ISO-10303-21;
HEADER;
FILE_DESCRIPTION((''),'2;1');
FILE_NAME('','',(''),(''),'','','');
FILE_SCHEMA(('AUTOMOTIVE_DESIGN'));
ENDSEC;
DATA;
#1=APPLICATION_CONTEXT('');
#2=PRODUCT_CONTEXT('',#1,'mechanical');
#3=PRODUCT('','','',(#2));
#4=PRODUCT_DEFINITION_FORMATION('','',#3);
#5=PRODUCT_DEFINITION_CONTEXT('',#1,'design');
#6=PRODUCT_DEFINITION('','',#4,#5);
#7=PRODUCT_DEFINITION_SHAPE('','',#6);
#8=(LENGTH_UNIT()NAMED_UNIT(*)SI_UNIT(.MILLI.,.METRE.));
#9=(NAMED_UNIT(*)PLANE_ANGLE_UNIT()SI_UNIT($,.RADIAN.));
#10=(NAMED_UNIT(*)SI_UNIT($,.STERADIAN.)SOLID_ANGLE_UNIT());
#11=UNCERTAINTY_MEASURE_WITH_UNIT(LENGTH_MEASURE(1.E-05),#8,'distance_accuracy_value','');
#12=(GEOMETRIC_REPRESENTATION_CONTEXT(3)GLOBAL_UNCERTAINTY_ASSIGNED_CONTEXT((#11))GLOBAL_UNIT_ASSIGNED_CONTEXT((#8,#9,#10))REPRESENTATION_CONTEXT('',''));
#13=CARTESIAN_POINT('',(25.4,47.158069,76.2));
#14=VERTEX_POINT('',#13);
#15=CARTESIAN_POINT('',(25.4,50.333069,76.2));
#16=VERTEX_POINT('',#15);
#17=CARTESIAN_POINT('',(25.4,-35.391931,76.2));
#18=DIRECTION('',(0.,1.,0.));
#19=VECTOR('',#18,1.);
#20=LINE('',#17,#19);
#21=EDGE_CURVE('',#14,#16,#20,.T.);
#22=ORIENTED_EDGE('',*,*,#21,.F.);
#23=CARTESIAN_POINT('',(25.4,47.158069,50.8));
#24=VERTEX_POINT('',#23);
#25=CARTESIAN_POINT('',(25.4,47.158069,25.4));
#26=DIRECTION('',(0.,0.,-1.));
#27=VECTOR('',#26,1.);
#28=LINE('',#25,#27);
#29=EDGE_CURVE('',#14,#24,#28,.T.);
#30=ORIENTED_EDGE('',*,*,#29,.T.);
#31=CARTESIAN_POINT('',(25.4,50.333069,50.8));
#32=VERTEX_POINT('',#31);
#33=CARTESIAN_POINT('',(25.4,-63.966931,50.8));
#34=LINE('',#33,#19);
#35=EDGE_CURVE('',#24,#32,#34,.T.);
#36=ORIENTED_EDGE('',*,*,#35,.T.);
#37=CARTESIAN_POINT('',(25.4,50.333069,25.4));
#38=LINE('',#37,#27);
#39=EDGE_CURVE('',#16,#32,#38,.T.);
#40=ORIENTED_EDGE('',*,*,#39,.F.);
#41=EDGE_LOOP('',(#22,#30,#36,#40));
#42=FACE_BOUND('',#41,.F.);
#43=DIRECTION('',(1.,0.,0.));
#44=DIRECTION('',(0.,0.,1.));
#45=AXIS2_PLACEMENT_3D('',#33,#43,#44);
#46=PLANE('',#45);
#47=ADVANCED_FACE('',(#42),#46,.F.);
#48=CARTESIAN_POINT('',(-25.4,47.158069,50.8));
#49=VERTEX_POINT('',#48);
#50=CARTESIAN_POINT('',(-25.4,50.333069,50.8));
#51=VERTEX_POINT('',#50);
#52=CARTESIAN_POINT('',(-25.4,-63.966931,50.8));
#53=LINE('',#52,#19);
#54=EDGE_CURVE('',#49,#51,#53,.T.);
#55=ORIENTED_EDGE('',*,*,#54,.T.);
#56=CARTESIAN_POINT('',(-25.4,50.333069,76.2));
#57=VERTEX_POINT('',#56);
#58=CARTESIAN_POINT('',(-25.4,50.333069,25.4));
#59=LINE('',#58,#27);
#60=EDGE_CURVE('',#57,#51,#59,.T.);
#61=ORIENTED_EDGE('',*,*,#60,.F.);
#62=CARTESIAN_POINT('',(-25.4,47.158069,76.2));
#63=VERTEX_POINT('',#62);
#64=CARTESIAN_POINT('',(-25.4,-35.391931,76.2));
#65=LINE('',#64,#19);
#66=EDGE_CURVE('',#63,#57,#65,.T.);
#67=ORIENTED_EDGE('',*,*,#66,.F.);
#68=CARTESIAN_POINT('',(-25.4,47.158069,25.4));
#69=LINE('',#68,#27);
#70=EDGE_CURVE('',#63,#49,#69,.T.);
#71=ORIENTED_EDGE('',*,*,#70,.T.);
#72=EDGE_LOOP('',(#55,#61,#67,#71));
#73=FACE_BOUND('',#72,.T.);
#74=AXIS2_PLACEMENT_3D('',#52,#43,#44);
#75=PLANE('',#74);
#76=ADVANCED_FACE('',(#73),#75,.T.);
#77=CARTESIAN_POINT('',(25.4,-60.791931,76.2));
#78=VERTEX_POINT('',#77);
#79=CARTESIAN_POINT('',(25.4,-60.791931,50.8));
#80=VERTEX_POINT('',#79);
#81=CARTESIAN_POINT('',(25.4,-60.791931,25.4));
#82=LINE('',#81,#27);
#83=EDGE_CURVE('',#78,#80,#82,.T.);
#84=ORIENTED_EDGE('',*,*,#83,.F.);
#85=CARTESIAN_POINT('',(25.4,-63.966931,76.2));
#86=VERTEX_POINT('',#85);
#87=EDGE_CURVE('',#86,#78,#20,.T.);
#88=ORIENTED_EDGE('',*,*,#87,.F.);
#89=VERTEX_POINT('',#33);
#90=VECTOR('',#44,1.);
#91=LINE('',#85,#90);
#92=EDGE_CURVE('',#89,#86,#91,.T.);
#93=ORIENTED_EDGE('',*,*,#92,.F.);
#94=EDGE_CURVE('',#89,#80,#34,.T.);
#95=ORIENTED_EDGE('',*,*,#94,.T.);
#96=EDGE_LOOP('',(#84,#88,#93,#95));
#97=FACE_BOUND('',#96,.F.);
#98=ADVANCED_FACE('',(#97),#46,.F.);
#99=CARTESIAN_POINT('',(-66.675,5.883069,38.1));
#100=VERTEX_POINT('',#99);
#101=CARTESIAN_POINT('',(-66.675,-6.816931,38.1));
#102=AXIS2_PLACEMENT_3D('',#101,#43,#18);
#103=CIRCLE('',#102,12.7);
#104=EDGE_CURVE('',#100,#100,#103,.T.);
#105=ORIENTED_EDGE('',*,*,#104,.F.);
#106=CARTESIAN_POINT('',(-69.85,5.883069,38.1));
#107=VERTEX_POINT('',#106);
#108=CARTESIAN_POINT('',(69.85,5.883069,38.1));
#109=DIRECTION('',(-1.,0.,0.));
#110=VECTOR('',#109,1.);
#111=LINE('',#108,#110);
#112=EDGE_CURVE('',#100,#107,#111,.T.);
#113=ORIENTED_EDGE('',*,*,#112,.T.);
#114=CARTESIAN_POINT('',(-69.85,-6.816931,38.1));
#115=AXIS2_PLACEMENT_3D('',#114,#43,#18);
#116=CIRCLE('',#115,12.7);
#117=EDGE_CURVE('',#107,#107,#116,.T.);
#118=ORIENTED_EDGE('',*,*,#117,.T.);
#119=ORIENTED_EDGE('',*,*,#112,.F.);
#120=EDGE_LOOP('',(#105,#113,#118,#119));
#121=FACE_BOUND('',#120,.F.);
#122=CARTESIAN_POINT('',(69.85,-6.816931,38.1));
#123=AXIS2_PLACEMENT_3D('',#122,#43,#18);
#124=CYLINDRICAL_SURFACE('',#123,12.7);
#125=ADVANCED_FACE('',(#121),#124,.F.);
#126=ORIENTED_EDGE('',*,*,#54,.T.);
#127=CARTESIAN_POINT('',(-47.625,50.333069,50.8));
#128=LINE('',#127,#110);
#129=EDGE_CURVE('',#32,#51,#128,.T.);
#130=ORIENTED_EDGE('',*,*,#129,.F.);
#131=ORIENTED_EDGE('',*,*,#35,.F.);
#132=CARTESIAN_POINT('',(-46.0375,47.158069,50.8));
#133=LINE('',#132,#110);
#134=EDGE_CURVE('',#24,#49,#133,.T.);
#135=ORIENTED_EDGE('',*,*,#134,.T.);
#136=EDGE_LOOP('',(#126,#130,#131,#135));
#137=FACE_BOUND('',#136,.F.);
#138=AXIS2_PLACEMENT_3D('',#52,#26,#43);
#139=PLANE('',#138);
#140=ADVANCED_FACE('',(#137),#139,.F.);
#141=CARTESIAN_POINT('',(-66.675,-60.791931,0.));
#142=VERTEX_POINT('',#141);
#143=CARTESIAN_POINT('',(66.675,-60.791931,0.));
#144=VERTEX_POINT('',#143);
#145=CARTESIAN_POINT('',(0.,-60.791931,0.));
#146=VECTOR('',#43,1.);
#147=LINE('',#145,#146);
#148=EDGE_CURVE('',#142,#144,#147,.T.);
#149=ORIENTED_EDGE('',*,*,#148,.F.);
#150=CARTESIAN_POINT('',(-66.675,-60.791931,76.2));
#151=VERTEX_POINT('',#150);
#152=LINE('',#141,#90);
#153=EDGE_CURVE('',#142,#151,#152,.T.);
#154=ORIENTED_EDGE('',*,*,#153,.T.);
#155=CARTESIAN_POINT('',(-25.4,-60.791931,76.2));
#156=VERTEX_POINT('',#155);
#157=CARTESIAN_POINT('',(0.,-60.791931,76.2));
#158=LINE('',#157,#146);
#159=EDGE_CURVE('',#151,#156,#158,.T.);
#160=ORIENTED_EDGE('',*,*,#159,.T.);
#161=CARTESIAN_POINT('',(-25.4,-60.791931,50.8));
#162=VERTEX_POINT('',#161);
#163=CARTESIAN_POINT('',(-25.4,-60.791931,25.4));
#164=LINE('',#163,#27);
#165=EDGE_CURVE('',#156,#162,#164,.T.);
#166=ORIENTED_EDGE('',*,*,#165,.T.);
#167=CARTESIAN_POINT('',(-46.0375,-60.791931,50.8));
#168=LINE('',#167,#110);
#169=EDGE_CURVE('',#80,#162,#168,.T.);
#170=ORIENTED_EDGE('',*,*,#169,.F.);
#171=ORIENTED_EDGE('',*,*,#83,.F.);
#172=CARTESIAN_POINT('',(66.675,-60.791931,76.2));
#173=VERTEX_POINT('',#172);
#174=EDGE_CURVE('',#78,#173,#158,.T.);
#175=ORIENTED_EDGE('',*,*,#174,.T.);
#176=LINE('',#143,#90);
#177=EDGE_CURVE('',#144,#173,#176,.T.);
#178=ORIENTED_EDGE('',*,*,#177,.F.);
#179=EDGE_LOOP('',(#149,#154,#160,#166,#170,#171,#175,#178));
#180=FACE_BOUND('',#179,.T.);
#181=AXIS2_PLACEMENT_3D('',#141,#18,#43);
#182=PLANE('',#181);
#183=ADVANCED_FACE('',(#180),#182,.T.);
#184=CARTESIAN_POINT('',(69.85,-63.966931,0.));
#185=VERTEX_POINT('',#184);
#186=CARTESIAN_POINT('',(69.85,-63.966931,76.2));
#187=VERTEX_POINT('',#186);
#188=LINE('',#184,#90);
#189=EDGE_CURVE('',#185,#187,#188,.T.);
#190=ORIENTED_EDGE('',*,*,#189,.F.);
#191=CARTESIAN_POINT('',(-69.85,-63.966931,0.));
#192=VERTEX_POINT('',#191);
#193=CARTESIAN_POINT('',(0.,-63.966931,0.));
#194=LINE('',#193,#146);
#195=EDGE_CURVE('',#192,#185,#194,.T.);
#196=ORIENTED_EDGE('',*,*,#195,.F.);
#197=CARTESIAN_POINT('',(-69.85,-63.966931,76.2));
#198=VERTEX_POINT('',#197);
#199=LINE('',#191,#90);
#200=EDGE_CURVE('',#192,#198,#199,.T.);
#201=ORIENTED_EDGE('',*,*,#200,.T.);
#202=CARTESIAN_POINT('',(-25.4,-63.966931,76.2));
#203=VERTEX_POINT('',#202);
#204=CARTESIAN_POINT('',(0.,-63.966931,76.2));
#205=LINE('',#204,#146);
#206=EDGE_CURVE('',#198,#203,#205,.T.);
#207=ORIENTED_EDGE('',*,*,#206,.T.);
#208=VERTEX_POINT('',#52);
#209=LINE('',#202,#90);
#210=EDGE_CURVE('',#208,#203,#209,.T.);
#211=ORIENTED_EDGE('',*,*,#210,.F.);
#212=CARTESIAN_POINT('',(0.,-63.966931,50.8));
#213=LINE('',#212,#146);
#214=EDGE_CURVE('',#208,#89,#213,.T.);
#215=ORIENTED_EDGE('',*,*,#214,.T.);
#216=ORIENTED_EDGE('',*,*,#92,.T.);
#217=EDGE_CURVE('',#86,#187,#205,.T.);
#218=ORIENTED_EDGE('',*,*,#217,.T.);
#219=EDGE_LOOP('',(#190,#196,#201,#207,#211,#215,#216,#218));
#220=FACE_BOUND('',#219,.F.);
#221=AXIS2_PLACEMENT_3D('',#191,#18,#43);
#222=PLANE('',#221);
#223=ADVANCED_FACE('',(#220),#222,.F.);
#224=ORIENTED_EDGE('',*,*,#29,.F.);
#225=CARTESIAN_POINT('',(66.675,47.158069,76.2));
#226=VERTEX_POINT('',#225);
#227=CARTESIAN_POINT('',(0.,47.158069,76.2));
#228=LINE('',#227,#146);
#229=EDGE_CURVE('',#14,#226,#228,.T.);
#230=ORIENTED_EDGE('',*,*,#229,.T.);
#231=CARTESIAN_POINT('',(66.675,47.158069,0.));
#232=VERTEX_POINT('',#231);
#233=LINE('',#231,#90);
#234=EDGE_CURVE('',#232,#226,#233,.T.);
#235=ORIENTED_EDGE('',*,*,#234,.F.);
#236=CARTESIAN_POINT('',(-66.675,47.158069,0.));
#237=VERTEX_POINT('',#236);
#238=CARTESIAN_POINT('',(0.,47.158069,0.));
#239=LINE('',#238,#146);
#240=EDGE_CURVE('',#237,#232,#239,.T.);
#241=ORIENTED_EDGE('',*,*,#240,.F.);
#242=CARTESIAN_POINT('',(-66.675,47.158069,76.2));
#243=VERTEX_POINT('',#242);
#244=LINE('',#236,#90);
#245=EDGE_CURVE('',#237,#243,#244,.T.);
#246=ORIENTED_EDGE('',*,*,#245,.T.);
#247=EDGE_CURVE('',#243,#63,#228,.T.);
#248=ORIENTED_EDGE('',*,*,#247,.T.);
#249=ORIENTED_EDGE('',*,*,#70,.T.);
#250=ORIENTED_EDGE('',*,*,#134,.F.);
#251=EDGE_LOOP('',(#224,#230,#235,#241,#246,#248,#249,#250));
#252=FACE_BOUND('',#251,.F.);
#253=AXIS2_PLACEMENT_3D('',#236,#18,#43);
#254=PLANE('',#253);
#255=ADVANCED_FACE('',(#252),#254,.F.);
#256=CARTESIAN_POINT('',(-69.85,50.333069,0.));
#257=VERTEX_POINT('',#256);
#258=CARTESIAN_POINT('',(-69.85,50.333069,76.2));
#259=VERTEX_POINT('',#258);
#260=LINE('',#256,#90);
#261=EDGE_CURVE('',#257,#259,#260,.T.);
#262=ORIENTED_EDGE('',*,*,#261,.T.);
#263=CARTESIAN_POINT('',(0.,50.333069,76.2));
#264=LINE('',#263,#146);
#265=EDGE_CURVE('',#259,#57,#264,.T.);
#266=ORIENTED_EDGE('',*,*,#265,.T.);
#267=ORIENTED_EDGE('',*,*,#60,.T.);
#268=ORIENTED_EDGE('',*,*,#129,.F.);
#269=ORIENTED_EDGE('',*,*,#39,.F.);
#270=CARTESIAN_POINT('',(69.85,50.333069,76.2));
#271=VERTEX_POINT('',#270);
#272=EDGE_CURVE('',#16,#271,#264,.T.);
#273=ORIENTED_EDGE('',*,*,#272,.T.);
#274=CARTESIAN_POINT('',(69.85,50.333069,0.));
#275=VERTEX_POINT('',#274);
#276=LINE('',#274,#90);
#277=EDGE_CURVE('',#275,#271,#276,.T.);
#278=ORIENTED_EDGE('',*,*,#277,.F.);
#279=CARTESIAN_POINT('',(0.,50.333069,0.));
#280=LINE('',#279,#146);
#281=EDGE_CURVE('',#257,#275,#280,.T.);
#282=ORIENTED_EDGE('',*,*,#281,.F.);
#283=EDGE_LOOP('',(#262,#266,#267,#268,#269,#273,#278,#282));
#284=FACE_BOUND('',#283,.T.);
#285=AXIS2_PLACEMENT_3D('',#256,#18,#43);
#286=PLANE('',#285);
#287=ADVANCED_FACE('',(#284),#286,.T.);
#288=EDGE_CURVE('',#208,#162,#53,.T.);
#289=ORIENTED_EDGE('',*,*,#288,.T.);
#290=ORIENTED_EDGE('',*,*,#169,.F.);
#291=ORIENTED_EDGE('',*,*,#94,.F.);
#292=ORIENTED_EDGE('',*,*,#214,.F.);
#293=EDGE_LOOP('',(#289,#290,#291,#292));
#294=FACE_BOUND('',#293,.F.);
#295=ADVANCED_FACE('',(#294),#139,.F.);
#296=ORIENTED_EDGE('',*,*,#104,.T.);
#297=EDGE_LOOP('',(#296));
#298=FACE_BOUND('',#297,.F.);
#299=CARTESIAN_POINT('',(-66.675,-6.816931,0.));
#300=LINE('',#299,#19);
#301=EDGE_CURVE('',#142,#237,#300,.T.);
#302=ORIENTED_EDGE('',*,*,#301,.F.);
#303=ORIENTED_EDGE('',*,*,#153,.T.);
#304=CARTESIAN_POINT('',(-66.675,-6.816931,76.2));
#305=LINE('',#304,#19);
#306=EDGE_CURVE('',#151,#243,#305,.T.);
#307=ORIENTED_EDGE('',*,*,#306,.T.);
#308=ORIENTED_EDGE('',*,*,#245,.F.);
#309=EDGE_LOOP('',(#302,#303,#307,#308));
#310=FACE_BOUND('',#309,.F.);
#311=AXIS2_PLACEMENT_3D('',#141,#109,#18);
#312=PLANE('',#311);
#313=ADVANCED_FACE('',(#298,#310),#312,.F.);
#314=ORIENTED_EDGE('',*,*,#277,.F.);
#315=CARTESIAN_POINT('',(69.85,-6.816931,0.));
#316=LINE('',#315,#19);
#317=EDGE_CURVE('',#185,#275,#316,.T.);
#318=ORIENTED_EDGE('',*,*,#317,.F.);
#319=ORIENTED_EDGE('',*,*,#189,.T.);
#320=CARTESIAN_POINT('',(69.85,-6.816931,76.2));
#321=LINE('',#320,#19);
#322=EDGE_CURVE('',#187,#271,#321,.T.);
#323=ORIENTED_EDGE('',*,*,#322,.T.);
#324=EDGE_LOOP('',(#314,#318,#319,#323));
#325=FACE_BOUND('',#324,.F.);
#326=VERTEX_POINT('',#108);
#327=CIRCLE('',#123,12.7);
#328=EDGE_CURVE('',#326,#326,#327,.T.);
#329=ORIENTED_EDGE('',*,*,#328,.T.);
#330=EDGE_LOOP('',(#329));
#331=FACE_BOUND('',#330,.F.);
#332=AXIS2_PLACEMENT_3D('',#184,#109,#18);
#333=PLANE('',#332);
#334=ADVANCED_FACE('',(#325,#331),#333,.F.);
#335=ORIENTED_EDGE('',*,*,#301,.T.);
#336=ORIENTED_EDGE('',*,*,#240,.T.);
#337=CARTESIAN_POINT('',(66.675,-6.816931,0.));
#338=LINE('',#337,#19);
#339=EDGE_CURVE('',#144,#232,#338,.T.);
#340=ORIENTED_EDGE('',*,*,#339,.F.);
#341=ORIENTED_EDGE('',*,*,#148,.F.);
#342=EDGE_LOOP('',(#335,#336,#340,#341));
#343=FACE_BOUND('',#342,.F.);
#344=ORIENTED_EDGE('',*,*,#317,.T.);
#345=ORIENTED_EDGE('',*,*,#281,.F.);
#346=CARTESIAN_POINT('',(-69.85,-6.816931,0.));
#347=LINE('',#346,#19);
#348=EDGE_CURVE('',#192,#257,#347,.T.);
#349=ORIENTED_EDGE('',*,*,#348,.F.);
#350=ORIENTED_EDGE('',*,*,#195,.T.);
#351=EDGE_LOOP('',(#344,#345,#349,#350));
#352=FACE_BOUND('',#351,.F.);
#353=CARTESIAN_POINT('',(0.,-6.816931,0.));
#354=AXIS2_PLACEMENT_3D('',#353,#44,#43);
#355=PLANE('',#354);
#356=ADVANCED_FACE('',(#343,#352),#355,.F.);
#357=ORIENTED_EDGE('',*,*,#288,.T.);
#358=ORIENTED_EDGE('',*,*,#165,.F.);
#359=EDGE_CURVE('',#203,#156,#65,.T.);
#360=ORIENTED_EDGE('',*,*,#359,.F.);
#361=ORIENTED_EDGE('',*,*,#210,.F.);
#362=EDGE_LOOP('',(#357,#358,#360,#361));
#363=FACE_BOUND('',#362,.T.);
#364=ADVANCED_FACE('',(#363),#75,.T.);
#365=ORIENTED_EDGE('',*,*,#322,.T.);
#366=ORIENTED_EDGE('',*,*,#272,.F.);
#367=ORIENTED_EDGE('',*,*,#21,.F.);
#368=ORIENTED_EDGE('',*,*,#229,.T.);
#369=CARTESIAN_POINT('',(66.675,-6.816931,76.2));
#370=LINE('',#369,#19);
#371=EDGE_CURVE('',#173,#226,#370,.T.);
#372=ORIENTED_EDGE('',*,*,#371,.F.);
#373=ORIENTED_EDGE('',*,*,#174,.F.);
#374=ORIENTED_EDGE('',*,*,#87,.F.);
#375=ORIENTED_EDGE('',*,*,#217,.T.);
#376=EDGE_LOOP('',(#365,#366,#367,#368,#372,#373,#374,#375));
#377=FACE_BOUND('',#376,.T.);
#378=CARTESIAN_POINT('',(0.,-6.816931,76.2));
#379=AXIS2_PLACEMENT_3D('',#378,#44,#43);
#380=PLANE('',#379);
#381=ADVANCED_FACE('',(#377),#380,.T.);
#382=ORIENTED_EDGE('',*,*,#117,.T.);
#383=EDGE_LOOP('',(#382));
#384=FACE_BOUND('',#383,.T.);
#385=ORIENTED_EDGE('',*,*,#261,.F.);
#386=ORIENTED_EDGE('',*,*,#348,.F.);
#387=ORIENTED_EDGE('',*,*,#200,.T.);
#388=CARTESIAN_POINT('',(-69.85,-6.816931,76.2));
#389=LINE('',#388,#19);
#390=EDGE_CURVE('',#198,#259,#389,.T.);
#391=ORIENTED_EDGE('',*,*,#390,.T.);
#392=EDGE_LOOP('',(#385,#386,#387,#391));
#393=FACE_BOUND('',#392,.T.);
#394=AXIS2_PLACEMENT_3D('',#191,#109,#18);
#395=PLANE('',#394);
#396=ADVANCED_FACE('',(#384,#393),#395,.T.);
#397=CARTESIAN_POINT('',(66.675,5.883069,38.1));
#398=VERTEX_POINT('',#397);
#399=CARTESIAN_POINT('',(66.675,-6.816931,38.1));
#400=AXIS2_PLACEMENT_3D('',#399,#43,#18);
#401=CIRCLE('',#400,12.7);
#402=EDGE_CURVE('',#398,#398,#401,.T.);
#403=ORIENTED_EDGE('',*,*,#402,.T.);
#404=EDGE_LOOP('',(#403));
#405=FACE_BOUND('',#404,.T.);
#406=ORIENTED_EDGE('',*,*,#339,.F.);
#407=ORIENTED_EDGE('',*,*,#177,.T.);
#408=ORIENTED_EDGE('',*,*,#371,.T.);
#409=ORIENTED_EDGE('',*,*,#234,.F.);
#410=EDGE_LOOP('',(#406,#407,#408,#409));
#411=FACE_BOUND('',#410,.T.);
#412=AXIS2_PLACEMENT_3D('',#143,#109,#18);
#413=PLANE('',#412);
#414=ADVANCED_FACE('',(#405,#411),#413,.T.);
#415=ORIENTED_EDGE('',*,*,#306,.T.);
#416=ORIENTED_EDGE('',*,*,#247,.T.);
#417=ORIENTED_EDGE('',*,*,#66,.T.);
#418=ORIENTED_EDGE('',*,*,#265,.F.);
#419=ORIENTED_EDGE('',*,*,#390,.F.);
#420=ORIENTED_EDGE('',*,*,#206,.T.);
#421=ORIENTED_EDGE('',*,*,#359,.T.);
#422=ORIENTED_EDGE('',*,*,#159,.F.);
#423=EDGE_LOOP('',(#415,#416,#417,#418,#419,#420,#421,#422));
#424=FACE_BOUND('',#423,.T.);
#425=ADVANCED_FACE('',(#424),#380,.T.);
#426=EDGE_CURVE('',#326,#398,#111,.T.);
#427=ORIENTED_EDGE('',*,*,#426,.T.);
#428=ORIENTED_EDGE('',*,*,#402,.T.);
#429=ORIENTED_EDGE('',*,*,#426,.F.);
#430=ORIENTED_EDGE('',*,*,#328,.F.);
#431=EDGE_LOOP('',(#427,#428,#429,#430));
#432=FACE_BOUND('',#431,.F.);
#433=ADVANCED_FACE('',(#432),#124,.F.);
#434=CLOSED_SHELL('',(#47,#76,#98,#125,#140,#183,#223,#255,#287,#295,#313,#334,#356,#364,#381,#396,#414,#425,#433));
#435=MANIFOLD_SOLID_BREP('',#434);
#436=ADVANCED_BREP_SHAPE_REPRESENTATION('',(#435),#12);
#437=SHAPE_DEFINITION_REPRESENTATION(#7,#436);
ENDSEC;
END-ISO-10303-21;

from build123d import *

# Parameters (mm, degrees)
F0_W     = 139.7
F0_H     = 114.3
F0_W_2   = 133.35
F0_H_2   = 107.95
F1_DEPTH = 76.2
F2_W     = 50.8
F2_H     = 50.8
F3_DEPTH = 127
F4_R     = 12.7
F5_DEPTH = 175.768


with BuildPart() as f1:
    # F0 (on Top) → F1 (new body)
    with BuildSketch(Plane.XY):
        with Locations((0, -6.816931)):
            Rectangle(F0_W, F0_H)
        with Locations((0, -6.816931)):
            Rectangle(F0_W_2, F0_H_2, mode=Mode.SUBTRACT)
    extrude(amount=F1_DEPTH)

    # F2 (on face) → F3 (cut)
    with BuildSketch(Plane.XZ.offset(63.966931)):
        with Locations((0, 76.2)):
            Rectangle(F2_W, F2_H)
    extrude(amount=-F3_DEPTH, mode=Mode.SUBTRACT)

    # F4 (on face) → F5 (cut)
    with BuildSketch(Plane.YZ.offset(69.85)):
        with Locations((-6.816931, 38.1)):
            Circle(F4_R)
    extrude(amount=-F5_DEPTH, mode=Mode.SUBTRACT)


solid = f1.part
